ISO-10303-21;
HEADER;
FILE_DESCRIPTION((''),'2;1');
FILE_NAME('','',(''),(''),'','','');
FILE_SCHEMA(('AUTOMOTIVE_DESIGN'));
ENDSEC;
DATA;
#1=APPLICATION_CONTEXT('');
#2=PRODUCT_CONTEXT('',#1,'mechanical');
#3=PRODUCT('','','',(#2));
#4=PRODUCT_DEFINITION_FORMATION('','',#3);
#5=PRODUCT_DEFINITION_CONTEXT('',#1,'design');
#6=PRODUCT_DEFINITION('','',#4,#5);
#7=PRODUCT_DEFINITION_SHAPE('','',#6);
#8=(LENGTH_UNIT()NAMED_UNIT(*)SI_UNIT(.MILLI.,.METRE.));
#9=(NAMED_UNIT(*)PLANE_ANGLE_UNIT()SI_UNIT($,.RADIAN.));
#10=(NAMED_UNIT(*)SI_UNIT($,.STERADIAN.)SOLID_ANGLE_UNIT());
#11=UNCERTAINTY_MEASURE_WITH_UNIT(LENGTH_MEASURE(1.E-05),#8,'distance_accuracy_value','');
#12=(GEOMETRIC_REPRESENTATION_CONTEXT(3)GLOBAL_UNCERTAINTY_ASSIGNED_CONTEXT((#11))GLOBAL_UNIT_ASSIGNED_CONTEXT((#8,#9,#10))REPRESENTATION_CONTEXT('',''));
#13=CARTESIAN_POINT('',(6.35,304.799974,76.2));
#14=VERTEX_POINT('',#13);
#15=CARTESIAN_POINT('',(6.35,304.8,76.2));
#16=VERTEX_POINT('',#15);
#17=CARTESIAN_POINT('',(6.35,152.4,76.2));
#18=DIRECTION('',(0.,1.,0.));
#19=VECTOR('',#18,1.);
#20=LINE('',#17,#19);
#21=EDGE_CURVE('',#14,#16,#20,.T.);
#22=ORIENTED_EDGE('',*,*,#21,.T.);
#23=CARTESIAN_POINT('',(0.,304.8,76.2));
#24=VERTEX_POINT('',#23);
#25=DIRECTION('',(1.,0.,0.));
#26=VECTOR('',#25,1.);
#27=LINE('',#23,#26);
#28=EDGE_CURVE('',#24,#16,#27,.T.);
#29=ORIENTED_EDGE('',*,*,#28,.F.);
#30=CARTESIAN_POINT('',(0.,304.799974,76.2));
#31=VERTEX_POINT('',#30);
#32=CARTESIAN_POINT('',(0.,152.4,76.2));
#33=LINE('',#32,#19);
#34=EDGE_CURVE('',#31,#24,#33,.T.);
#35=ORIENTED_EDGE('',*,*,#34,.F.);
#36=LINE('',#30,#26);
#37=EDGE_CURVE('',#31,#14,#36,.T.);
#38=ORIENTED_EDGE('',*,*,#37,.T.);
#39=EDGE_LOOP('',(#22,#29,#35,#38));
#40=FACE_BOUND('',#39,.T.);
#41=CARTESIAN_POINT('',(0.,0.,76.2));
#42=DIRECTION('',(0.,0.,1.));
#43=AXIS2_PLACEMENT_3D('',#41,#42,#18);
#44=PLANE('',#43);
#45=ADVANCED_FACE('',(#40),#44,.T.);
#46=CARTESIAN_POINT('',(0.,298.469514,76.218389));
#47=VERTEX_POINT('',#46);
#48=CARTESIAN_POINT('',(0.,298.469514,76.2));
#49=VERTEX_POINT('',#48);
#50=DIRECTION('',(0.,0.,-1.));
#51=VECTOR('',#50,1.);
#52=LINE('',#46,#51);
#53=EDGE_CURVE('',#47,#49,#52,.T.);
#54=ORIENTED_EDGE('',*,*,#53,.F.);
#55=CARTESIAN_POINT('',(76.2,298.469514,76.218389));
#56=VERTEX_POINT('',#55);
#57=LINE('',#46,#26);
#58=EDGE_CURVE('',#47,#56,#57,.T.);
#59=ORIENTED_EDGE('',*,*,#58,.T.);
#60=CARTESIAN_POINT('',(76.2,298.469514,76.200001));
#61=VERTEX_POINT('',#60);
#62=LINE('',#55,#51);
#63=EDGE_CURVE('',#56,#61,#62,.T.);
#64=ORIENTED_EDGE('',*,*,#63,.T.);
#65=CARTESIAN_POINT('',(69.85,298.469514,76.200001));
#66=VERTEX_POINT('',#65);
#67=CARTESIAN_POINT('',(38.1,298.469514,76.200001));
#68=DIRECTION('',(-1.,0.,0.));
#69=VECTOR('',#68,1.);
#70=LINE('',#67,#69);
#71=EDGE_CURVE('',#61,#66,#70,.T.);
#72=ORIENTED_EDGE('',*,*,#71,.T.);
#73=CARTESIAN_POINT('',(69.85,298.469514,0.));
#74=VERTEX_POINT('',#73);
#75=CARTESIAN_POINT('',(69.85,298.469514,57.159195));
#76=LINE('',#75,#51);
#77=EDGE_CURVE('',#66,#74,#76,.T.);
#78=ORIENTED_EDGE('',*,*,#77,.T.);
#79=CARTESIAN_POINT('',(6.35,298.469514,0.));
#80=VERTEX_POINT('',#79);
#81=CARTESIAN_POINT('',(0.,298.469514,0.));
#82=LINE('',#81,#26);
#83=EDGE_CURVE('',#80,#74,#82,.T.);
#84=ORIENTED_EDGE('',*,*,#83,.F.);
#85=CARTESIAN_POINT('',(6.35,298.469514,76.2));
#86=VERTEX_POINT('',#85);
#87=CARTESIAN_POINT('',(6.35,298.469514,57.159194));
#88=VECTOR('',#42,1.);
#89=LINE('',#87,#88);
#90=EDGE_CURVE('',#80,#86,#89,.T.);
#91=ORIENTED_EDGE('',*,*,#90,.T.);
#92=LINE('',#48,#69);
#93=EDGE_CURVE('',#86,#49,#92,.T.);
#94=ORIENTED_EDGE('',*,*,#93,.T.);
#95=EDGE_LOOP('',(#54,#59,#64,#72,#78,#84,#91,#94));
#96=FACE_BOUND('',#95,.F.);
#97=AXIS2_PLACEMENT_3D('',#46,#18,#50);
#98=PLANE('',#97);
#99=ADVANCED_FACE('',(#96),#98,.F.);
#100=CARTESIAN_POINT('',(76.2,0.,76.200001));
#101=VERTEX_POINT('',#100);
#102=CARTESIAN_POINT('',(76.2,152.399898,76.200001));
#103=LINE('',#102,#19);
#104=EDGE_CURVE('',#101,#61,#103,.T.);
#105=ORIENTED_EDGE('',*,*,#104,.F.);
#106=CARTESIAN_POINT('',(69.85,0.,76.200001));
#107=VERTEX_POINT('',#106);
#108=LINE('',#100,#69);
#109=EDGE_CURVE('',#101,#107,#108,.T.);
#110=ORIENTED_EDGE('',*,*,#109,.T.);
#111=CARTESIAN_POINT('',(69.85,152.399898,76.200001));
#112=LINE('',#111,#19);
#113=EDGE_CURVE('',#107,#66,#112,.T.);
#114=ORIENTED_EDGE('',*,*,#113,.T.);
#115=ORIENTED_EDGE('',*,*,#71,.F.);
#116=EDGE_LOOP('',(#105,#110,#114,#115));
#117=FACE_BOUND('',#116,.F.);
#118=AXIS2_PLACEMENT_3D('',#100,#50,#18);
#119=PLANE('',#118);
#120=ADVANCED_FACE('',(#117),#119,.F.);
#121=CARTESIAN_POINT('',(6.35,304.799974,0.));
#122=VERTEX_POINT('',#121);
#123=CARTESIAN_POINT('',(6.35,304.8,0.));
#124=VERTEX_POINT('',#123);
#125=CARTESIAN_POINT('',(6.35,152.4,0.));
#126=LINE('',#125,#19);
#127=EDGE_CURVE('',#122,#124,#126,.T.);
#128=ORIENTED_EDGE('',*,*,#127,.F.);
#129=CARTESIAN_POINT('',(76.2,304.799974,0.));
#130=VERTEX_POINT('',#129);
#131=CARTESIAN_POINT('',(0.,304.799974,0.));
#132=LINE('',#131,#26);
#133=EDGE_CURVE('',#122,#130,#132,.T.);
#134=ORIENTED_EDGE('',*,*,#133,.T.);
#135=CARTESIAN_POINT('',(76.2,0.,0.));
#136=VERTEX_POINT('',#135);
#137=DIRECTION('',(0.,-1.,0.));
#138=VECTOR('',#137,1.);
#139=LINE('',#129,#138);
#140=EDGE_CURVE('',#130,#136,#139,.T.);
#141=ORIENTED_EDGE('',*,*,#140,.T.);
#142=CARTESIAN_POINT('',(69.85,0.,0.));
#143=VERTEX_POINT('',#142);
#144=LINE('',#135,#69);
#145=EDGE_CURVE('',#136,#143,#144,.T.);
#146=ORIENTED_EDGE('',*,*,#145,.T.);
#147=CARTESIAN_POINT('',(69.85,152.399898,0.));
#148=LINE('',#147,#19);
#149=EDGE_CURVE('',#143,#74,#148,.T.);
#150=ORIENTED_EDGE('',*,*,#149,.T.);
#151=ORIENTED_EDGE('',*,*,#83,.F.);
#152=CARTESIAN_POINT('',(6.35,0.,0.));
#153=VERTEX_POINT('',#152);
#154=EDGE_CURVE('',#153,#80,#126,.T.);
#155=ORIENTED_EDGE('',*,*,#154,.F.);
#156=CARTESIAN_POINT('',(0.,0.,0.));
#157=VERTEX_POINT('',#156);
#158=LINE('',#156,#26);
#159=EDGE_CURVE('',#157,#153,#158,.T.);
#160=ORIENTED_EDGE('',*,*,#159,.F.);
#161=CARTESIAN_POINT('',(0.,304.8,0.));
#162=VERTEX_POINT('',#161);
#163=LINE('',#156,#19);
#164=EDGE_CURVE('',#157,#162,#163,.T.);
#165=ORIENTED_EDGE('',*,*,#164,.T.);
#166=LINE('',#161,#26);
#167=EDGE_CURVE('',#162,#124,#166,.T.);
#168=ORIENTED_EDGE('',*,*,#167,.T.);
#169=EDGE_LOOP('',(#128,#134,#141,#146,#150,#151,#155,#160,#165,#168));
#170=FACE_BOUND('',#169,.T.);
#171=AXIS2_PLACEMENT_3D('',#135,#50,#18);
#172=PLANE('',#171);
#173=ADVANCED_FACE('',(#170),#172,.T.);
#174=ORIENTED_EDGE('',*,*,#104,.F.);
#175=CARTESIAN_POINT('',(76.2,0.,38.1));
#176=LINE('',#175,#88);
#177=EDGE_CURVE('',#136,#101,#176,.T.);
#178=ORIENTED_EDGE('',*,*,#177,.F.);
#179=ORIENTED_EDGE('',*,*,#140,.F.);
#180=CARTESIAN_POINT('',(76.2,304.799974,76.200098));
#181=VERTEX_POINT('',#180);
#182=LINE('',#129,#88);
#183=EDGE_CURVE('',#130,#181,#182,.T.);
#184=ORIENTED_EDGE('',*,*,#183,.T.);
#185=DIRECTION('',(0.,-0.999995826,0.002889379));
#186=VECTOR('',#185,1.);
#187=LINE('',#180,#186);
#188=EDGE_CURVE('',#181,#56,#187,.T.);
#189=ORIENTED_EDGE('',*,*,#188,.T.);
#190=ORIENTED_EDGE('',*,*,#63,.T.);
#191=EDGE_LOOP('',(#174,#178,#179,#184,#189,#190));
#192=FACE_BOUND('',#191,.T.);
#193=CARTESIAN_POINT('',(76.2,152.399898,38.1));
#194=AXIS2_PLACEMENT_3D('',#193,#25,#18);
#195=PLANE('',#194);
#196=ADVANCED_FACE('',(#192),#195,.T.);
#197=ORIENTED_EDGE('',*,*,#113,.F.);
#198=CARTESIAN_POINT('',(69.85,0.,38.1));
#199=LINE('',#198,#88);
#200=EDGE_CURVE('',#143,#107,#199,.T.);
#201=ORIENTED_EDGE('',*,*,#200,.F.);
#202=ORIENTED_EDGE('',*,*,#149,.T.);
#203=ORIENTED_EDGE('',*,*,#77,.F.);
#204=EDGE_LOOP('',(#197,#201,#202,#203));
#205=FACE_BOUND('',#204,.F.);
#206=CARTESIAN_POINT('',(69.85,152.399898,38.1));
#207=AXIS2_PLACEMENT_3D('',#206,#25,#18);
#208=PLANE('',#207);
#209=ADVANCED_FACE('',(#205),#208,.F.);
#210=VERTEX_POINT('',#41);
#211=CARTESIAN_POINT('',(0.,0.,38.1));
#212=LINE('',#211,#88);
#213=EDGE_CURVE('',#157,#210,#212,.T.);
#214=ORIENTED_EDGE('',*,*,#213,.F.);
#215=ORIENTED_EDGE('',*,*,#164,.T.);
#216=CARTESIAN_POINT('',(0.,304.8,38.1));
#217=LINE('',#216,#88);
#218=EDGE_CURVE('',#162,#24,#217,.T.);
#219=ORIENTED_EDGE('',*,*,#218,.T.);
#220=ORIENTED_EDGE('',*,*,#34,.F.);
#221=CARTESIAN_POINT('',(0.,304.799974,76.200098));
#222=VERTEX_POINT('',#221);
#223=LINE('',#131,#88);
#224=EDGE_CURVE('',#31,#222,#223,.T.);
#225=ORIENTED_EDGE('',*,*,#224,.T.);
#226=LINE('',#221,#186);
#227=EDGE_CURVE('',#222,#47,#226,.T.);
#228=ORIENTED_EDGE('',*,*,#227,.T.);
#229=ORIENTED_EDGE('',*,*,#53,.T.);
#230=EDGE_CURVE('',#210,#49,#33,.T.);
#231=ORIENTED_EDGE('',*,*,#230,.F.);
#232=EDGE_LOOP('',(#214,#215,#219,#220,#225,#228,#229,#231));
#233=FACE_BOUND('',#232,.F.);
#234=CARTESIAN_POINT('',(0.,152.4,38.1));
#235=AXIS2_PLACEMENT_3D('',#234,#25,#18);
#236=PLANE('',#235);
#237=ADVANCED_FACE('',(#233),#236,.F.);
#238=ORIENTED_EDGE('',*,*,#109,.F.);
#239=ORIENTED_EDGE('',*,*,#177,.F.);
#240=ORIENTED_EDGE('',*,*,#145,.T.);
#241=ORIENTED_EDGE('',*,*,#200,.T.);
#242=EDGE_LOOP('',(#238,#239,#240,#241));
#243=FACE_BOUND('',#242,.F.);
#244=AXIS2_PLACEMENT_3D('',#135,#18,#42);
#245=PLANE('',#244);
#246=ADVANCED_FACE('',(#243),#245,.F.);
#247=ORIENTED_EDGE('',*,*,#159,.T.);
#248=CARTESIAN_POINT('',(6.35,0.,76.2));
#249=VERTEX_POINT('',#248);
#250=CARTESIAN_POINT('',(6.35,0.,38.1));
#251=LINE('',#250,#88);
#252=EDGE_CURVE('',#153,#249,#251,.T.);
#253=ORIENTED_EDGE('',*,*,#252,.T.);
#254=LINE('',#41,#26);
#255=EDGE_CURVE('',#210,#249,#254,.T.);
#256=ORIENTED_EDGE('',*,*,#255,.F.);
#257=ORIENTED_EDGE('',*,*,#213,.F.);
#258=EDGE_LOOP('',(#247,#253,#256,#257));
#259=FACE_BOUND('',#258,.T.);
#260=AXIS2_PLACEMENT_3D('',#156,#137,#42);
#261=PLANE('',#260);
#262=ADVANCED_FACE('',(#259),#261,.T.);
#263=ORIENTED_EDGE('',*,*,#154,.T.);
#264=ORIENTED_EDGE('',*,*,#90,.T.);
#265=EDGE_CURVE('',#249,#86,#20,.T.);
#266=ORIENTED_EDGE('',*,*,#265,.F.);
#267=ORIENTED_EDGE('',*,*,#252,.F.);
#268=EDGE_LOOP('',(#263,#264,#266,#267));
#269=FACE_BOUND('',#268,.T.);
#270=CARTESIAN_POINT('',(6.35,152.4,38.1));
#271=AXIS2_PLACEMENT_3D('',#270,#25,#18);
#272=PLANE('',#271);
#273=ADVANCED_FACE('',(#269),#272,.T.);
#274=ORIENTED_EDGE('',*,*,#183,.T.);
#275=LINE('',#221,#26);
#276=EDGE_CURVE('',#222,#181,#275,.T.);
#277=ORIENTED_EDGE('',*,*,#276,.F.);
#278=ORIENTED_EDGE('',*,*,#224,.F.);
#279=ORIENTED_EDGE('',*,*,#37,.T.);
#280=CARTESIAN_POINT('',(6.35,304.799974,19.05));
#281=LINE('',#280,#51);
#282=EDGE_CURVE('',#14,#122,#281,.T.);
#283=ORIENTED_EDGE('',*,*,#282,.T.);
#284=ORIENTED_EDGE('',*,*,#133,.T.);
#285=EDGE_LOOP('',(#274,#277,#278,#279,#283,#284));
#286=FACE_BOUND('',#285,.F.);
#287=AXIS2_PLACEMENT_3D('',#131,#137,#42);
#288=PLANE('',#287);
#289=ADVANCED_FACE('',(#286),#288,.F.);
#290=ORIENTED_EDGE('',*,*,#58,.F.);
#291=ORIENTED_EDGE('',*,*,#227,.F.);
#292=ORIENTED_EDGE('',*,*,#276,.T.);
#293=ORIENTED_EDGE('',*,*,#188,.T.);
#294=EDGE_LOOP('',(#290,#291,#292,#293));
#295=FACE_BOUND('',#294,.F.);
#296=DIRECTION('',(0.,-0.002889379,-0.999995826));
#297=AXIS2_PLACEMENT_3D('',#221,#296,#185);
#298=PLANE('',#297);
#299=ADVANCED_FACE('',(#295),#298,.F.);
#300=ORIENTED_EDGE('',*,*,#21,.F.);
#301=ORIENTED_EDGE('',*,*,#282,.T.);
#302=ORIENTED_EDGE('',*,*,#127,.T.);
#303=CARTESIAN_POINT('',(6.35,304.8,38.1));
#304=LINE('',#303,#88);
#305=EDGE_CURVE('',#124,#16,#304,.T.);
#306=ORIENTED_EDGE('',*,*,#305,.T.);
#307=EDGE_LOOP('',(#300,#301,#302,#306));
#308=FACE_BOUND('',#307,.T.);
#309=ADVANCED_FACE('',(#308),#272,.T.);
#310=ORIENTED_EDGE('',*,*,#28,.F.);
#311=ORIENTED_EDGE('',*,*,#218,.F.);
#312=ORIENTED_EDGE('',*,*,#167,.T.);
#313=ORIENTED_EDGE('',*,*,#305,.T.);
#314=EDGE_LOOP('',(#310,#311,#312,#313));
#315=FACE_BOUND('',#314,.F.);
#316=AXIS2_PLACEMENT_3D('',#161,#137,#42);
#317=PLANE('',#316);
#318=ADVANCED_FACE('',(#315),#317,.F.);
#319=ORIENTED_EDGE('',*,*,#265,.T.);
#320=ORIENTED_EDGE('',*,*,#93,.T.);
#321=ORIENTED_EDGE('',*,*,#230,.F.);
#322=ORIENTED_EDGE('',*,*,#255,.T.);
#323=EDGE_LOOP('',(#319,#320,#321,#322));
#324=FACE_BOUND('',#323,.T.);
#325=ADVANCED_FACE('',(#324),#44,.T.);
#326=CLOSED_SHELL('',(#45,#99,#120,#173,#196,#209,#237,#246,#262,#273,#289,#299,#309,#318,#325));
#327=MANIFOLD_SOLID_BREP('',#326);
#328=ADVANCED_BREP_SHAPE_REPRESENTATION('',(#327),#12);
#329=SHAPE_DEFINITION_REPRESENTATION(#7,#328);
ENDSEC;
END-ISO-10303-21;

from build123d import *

# Parameters (mm, degrees)
F0_W     = 304.8
F0_H     = 76.2
F1_DEPTH = 6.35
F3_DEPTH = 76.2
F5_W     = 304.7997951508
F5_H     = 76.2000009418
F6_DEPTH = 6.35


with BuildPart() as f1:
    # F0 (on Right) → F1 (new body)
    with BuildSketch(Plane.YZ):
        with Locations((152.4, 38.1)):
            Rectangle(F0_W, F0_H)
    extrude(amount=F1_DEPTH)

    # F2 (on Right) → F3 (join)
    with BuildSketch(Plane.YZ):
        Polygon((304.7999739647, 0), (304.7999739647, 76.2000977993), (298.4695136547, 76.2183889747), (298.4695136547, 0), align=None)
    extrude(amount=F3_DEPTH)

    # F5 (on offset) → F6 (join)
    with BuildSketch(Plane.YZ.offset(76.2)):
        with Locations((152.3998975754, 38.1000004709)):
            Rectangle(F5_W, F5_H)
    extrude(amount=-F6_DEPTH)


solid = f1.part
